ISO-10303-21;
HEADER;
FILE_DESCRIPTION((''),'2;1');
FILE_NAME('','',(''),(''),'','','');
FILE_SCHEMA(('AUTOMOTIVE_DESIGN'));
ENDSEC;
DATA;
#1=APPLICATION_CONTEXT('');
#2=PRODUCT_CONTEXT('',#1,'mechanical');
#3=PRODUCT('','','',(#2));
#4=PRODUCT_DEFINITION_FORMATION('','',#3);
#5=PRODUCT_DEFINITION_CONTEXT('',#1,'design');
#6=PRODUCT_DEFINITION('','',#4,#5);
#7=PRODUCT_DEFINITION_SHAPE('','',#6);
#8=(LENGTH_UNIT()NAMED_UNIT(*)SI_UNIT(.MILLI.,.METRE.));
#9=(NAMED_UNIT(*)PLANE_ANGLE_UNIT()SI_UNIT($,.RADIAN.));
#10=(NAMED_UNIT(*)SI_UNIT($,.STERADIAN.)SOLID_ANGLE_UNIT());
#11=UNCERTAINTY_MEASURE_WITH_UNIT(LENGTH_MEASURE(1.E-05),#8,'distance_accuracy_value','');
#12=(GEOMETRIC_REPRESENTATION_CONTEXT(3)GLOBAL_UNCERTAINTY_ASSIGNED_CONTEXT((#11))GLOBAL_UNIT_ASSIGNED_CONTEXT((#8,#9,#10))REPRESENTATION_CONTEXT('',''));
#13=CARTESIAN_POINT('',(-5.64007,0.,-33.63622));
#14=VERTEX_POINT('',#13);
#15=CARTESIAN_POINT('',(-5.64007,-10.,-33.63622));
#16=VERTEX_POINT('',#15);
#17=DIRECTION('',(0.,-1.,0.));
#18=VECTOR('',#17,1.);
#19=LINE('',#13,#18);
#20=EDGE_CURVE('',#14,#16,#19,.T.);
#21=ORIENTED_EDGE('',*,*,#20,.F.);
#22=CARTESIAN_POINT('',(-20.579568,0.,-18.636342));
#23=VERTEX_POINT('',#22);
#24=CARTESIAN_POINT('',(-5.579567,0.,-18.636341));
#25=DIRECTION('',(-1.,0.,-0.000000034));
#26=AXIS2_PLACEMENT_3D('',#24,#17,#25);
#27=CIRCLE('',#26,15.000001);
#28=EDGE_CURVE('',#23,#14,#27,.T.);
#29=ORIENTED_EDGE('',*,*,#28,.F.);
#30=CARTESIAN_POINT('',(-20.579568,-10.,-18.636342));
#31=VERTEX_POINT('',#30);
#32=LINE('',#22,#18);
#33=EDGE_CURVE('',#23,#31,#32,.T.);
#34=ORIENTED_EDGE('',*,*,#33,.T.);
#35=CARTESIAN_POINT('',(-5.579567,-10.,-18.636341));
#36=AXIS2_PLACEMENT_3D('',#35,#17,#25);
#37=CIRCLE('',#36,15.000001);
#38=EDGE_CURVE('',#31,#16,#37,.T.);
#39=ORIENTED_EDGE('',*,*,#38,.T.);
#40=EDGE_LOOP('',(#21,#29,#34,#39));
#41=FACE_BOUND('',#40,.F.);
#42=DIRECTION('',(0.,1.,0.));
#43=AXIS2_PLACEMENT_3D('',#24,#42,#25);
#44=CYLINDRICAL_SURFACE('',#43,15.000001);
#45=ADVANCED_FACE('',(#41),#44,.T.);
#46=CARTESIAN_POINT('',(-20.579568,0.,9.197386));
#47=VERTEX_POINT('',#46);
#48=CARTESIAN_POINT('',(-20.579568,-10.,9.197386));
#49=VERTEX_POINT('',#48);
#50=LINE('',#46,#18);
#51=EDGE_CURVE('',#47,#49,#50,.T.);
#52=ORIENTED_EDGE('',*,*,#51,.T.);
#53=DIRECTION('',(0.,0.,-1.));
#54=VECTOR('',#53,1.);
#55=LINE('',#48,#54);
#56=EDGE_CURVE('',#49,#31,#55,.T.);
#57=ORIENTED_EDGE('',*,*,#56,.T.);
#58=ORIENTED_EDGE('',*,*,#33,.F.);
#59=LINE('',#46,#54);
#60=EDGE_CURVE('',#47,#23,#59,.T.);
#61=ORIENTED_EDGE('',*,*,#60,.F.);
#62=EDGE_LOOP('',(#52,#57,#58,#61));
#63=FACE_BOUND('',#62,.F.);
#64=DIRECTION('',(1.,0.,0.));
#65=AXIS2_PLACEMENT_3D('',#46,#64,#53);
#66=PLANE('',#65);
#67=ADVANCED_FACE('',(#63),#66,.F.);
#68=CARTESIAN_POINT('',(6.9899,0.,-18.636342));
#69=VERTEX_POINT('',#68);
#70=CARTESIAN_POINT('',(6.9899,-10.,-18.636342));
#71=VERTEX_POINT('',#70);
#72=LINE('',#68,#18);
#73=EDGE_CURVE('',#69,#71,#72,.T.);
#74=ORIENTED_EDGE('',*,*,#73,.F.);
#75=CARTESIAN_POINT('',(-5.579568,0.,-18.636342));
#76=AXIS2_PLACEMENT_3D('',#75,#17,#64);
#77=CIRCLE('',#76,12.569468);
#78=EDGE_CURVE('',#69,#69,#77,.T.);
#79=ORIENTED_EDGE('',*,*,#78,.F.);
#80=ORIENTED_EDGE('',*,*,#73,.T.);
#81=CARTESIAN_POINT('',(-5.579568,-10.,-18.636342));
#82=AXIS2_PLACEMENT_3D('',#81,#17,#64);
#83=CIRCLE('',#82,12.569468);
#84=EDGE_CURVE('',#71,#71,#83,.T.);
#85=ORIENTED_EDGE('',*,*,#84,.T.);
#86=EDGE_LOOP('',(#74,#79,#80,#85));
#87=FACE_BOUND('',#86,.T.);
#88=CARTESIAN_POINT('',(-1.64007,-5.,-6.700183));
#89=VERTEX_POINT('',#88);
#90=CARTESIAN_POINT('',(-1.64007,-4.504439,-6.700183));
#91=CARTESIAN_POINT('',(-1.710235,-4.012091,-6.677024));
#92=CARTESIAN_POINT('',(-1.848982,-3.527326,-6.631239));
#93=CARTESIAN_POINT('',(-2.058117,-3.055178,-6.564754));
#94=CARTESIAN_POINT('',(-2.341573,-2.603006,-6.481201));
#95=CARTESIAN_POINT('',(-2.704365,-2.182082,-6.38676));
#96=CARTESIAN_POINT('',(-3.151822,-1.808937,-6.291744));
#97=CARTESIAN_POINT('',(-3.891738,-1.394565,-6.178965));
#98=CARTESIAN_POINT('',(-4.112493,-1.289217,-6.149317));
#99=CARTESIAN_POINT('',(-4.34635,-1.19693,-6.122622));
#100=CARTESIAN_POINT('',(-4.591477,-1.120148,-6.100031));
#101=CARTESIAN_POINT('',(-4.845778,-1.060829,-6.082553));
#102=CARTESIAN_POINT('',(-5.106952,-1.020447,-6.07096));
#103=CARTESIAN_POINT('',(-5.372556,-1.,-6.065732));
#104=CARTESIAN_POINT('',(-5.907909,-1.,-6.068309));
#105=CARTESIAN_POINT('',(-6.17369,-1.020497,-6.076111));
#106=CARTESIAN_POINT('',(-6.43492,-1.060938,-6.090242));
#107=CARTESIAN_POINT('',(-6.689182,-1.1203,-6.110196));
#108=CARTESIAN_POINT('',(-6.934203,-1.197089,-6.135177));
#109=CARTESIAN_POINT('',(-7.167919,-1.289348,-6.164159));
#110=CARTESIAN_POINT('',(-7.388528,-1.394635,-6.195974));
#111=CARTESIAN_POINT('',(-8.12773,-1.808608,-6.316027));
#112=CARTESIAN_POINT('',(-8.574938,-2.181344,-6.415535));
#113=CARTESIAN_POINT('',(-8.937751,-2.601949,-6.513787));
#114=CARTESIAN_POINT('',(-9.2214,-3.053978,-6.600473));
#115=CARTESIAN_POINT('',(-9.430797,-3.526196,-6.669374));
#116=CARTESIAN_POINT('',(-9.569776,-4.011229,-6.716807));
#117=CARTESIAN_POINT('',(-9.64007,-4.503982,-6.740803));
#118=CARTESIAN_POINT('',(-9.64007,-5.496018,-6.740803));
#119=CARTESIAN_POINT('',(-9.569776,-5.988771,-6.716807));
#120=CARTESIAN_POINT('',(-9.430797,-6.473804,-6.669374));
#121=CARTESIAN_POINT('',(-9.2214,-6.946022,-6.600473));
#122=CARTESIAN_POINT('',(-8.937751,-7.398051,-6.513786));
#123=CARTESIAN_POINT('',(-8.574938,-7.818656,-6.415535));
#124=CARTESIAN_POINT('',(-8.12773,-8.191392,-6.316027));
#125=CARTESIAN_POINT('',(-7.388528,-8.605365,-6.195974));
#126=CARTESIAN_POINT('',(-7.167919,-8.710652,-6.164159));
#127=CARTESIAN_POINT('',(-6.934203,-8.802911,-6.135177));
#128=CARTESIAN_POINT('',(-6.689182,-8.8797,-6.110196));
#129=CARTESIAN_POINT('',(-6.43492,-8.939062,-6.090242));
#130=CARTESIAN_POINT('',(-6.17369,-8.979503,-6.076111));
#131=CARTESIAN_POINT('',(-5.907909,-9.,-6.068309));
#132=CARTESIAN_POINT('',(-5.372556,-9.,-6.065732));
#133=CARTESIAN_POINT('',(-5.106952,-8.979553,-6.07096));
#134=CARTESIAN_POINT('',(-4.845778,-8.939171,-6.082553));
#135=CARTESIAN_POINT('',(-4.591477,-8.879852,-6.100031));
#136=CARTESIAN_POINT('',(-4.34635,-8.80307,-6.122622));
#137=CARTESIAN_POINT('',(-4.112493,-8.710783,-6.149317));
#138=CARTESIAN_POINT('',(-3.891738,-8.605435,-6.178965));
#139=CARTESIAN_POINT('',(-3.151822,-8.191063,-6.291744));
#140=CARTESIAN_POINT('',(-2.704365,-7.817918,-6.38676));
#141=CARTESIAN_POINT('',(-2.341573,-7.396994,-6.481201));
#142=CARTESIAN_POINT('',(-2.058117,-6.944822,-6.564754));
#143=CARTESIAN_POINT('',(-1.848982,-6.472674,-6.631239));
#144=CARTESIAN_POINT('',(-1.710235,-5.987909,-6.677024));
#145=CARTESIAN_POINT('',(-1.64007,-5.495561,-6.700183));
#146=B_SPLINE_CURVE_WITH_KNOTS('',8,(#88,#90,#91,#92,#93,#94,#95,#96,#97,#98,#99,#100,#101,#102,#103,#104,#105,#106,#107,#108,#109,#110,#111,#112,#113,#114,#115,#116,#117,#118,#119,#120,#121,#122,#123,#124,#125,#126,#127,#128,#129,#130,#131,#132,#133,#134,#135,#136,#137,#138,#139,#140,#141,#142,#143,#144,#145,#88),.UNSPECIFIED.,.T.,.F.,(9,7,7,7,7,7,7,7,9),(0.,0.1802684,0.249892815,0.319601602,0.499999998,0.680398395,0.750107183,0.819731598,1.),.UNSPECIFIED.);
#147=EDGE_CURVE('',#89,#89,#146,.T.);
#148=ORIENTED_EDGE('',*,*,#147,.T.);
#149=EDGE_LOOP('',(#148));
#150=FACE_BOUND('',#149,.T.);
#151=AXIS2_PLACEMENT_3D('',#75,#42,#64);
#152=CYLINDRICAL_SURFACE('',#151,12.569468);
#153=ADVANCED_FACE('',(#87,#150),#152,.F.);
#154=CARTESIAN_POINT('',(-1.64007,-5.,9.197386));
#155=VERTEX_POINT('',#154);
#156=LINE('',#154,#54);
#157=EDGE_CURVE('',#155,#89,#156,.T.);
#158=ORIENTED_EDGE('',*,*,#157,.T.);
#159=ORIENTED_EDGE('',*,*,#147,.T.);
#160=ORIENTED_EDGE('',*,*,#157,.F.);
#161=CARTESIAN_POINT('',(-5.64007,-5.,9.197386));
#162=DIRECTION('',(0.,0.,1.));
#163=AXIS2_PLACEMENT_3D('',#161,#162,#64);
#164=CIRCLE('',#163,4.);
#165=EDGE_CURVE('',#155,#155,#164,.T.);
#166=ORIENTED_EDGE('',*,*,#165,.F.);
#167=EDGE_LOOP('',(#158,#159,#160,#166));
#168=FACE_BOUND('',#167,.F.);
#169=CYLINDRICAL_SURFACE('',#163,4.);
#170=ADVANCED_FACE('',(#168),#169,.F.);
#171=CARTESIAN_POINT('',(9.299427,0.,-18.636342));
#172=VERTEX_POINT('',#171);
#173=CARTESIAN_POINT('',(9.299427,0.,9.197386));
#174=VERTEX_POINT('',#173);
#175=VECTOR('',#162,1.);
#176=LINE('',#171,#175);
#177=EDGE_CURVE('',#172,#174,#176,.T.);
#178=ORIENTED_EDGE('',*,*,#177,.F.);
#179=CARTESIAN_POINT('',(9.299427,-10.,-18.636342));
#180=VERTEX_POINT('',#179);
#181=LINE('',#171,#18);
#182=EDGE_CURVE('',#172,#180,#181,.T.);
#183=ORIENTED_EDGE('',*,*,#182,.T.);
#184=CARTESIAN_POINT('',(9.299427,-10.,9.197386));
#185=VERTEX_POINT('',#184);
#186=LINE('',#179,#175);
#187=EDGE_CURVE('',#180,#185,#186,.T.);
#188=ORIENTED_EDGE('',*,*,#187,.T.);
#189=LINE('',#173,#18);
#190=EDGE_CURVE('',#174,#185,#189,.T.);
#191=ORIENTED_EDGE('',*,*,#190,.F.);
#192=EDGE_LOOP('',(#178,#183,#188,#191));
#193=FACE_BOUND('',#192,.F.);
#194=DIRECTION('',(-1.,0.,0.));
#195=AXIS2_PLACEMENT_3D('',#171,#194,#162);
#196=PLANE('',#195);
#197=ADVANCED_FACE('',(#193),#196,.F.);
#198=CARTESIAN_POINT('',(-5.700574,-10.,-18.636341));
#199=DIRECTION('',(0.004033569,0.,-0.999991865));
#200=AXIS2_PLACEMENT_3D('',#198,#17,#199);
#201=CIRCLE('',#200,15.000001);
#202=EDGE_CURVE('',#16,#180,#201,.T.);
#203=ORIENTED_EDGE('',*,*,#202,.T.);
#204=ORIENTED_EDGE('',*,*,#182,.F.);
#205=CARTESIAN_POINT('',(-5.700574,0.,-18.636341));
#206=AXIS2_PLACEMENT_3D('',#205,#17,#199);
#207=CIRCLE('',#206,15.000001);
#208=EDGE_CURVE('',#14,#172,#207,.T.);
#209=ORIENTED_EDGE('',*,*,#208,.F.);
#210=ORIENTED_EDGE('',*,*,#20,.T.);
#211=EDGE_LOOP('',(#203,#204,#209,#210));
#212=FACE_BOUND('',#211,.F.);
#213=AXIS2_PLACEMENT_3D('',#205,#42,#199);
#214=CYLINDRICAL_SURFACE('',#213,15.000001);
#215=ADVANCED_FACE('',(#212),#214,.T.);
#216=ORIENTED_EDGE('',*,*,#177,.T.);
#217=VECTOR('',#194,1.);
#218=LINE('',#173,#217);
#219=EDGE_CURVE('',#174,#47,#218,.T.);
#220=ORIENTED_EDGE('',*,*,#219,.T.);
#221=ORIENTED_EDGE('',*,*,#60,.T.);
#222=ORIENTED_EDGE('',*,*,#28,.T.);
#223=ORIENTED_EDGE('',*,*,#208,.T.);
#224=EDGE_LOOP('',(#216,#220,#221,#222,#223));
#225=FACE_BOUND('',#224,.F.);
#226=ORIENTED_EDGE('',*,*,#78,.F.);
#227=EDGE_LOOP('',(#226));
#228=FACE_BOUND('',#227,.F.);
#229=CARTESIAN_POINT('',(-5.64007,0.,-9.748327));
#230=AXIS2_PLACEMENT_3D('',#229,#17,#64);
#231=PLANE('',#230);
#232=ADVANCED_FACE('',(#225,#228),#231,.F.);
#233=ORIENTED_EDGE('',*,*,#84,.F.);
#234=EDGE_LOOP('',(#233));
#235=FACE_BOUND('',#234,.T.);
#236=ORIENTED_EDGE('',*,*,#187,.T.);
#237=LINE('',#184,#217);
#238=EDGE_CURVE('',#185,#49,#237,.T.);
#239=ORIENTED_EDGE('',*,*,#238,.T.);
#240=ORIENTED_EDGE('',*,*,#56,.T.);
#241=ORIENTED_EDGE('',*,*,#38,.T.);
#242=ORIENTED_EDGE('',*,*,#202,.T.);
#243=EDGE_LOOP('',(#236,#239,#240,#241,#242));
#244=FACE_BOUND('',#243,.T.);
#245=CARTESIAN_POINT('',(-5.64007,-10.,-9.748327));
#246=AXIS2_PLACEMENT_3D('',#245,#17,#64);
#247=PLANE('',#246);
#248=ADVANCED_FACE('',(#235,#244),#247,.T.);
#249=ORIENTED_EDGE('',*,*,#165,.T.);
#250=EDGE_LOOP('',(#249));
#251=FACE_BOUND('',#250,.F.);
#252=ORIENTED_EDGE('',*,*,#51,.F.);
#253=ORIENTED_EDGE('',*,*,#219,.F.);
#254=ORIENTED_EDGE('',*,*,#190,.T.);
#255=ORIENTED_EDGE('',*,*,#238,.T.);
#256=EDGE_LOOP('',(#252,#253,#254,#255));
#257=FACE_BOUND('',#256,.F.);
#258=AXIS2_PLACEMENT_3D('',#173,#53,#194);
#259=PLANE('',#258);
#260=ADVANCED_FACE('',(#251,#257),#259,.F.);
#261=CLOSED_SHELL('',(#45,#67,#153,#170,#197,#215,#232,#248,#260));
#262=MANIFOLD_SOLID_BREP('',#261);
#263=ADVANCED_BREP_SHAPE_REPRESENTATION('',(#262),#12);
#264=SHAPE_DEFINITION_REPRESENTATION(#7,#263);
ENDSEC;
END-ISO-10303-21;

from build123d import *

# Parameters (mm, degrees)
F0_R     = 12.569468
F1_DEPTH = 10
F2_R     = 4
F3_DEPTH = 25


with BuildPart() as f1:
    # F0 (on Front) → F1 (new body)
    with BuildSketch(Plane.XZ):
        with BuildLine():
            Line((9.299427, -18.636342), (9.299427, 9.197386))
            Line((9.299427, 9.197386), (-20.579568, 9.197386))
            Line((-20.579568, 9.197386), (-20.579568, -18.636342))
            ThreePointArc((-20.579568, -18.636342), (-16.207539, -29.221531), (-5.64007, -33.63622))
            ThreePointArc((-5.64007, -33.63622), (4.927398, -29.221531), (9.299427, -18.636342))
        make_face()
        with Locations((-5.579568, -18.636342)):
            Circle(F0_R, mode=Mode.SUBTRACT)
    extrude(amount=F1_DEPTH)

    # F2 (on face) → F3 (cut)
    with BuildSketch(Plane.XY.offset(9.197386)):
        with Locations((-5.64007, -5)):
            Circle(F2_R)
    extrude(amount=-F3_DEPTH, mode=Mode.SUBTRACT)


solid = f1.part
